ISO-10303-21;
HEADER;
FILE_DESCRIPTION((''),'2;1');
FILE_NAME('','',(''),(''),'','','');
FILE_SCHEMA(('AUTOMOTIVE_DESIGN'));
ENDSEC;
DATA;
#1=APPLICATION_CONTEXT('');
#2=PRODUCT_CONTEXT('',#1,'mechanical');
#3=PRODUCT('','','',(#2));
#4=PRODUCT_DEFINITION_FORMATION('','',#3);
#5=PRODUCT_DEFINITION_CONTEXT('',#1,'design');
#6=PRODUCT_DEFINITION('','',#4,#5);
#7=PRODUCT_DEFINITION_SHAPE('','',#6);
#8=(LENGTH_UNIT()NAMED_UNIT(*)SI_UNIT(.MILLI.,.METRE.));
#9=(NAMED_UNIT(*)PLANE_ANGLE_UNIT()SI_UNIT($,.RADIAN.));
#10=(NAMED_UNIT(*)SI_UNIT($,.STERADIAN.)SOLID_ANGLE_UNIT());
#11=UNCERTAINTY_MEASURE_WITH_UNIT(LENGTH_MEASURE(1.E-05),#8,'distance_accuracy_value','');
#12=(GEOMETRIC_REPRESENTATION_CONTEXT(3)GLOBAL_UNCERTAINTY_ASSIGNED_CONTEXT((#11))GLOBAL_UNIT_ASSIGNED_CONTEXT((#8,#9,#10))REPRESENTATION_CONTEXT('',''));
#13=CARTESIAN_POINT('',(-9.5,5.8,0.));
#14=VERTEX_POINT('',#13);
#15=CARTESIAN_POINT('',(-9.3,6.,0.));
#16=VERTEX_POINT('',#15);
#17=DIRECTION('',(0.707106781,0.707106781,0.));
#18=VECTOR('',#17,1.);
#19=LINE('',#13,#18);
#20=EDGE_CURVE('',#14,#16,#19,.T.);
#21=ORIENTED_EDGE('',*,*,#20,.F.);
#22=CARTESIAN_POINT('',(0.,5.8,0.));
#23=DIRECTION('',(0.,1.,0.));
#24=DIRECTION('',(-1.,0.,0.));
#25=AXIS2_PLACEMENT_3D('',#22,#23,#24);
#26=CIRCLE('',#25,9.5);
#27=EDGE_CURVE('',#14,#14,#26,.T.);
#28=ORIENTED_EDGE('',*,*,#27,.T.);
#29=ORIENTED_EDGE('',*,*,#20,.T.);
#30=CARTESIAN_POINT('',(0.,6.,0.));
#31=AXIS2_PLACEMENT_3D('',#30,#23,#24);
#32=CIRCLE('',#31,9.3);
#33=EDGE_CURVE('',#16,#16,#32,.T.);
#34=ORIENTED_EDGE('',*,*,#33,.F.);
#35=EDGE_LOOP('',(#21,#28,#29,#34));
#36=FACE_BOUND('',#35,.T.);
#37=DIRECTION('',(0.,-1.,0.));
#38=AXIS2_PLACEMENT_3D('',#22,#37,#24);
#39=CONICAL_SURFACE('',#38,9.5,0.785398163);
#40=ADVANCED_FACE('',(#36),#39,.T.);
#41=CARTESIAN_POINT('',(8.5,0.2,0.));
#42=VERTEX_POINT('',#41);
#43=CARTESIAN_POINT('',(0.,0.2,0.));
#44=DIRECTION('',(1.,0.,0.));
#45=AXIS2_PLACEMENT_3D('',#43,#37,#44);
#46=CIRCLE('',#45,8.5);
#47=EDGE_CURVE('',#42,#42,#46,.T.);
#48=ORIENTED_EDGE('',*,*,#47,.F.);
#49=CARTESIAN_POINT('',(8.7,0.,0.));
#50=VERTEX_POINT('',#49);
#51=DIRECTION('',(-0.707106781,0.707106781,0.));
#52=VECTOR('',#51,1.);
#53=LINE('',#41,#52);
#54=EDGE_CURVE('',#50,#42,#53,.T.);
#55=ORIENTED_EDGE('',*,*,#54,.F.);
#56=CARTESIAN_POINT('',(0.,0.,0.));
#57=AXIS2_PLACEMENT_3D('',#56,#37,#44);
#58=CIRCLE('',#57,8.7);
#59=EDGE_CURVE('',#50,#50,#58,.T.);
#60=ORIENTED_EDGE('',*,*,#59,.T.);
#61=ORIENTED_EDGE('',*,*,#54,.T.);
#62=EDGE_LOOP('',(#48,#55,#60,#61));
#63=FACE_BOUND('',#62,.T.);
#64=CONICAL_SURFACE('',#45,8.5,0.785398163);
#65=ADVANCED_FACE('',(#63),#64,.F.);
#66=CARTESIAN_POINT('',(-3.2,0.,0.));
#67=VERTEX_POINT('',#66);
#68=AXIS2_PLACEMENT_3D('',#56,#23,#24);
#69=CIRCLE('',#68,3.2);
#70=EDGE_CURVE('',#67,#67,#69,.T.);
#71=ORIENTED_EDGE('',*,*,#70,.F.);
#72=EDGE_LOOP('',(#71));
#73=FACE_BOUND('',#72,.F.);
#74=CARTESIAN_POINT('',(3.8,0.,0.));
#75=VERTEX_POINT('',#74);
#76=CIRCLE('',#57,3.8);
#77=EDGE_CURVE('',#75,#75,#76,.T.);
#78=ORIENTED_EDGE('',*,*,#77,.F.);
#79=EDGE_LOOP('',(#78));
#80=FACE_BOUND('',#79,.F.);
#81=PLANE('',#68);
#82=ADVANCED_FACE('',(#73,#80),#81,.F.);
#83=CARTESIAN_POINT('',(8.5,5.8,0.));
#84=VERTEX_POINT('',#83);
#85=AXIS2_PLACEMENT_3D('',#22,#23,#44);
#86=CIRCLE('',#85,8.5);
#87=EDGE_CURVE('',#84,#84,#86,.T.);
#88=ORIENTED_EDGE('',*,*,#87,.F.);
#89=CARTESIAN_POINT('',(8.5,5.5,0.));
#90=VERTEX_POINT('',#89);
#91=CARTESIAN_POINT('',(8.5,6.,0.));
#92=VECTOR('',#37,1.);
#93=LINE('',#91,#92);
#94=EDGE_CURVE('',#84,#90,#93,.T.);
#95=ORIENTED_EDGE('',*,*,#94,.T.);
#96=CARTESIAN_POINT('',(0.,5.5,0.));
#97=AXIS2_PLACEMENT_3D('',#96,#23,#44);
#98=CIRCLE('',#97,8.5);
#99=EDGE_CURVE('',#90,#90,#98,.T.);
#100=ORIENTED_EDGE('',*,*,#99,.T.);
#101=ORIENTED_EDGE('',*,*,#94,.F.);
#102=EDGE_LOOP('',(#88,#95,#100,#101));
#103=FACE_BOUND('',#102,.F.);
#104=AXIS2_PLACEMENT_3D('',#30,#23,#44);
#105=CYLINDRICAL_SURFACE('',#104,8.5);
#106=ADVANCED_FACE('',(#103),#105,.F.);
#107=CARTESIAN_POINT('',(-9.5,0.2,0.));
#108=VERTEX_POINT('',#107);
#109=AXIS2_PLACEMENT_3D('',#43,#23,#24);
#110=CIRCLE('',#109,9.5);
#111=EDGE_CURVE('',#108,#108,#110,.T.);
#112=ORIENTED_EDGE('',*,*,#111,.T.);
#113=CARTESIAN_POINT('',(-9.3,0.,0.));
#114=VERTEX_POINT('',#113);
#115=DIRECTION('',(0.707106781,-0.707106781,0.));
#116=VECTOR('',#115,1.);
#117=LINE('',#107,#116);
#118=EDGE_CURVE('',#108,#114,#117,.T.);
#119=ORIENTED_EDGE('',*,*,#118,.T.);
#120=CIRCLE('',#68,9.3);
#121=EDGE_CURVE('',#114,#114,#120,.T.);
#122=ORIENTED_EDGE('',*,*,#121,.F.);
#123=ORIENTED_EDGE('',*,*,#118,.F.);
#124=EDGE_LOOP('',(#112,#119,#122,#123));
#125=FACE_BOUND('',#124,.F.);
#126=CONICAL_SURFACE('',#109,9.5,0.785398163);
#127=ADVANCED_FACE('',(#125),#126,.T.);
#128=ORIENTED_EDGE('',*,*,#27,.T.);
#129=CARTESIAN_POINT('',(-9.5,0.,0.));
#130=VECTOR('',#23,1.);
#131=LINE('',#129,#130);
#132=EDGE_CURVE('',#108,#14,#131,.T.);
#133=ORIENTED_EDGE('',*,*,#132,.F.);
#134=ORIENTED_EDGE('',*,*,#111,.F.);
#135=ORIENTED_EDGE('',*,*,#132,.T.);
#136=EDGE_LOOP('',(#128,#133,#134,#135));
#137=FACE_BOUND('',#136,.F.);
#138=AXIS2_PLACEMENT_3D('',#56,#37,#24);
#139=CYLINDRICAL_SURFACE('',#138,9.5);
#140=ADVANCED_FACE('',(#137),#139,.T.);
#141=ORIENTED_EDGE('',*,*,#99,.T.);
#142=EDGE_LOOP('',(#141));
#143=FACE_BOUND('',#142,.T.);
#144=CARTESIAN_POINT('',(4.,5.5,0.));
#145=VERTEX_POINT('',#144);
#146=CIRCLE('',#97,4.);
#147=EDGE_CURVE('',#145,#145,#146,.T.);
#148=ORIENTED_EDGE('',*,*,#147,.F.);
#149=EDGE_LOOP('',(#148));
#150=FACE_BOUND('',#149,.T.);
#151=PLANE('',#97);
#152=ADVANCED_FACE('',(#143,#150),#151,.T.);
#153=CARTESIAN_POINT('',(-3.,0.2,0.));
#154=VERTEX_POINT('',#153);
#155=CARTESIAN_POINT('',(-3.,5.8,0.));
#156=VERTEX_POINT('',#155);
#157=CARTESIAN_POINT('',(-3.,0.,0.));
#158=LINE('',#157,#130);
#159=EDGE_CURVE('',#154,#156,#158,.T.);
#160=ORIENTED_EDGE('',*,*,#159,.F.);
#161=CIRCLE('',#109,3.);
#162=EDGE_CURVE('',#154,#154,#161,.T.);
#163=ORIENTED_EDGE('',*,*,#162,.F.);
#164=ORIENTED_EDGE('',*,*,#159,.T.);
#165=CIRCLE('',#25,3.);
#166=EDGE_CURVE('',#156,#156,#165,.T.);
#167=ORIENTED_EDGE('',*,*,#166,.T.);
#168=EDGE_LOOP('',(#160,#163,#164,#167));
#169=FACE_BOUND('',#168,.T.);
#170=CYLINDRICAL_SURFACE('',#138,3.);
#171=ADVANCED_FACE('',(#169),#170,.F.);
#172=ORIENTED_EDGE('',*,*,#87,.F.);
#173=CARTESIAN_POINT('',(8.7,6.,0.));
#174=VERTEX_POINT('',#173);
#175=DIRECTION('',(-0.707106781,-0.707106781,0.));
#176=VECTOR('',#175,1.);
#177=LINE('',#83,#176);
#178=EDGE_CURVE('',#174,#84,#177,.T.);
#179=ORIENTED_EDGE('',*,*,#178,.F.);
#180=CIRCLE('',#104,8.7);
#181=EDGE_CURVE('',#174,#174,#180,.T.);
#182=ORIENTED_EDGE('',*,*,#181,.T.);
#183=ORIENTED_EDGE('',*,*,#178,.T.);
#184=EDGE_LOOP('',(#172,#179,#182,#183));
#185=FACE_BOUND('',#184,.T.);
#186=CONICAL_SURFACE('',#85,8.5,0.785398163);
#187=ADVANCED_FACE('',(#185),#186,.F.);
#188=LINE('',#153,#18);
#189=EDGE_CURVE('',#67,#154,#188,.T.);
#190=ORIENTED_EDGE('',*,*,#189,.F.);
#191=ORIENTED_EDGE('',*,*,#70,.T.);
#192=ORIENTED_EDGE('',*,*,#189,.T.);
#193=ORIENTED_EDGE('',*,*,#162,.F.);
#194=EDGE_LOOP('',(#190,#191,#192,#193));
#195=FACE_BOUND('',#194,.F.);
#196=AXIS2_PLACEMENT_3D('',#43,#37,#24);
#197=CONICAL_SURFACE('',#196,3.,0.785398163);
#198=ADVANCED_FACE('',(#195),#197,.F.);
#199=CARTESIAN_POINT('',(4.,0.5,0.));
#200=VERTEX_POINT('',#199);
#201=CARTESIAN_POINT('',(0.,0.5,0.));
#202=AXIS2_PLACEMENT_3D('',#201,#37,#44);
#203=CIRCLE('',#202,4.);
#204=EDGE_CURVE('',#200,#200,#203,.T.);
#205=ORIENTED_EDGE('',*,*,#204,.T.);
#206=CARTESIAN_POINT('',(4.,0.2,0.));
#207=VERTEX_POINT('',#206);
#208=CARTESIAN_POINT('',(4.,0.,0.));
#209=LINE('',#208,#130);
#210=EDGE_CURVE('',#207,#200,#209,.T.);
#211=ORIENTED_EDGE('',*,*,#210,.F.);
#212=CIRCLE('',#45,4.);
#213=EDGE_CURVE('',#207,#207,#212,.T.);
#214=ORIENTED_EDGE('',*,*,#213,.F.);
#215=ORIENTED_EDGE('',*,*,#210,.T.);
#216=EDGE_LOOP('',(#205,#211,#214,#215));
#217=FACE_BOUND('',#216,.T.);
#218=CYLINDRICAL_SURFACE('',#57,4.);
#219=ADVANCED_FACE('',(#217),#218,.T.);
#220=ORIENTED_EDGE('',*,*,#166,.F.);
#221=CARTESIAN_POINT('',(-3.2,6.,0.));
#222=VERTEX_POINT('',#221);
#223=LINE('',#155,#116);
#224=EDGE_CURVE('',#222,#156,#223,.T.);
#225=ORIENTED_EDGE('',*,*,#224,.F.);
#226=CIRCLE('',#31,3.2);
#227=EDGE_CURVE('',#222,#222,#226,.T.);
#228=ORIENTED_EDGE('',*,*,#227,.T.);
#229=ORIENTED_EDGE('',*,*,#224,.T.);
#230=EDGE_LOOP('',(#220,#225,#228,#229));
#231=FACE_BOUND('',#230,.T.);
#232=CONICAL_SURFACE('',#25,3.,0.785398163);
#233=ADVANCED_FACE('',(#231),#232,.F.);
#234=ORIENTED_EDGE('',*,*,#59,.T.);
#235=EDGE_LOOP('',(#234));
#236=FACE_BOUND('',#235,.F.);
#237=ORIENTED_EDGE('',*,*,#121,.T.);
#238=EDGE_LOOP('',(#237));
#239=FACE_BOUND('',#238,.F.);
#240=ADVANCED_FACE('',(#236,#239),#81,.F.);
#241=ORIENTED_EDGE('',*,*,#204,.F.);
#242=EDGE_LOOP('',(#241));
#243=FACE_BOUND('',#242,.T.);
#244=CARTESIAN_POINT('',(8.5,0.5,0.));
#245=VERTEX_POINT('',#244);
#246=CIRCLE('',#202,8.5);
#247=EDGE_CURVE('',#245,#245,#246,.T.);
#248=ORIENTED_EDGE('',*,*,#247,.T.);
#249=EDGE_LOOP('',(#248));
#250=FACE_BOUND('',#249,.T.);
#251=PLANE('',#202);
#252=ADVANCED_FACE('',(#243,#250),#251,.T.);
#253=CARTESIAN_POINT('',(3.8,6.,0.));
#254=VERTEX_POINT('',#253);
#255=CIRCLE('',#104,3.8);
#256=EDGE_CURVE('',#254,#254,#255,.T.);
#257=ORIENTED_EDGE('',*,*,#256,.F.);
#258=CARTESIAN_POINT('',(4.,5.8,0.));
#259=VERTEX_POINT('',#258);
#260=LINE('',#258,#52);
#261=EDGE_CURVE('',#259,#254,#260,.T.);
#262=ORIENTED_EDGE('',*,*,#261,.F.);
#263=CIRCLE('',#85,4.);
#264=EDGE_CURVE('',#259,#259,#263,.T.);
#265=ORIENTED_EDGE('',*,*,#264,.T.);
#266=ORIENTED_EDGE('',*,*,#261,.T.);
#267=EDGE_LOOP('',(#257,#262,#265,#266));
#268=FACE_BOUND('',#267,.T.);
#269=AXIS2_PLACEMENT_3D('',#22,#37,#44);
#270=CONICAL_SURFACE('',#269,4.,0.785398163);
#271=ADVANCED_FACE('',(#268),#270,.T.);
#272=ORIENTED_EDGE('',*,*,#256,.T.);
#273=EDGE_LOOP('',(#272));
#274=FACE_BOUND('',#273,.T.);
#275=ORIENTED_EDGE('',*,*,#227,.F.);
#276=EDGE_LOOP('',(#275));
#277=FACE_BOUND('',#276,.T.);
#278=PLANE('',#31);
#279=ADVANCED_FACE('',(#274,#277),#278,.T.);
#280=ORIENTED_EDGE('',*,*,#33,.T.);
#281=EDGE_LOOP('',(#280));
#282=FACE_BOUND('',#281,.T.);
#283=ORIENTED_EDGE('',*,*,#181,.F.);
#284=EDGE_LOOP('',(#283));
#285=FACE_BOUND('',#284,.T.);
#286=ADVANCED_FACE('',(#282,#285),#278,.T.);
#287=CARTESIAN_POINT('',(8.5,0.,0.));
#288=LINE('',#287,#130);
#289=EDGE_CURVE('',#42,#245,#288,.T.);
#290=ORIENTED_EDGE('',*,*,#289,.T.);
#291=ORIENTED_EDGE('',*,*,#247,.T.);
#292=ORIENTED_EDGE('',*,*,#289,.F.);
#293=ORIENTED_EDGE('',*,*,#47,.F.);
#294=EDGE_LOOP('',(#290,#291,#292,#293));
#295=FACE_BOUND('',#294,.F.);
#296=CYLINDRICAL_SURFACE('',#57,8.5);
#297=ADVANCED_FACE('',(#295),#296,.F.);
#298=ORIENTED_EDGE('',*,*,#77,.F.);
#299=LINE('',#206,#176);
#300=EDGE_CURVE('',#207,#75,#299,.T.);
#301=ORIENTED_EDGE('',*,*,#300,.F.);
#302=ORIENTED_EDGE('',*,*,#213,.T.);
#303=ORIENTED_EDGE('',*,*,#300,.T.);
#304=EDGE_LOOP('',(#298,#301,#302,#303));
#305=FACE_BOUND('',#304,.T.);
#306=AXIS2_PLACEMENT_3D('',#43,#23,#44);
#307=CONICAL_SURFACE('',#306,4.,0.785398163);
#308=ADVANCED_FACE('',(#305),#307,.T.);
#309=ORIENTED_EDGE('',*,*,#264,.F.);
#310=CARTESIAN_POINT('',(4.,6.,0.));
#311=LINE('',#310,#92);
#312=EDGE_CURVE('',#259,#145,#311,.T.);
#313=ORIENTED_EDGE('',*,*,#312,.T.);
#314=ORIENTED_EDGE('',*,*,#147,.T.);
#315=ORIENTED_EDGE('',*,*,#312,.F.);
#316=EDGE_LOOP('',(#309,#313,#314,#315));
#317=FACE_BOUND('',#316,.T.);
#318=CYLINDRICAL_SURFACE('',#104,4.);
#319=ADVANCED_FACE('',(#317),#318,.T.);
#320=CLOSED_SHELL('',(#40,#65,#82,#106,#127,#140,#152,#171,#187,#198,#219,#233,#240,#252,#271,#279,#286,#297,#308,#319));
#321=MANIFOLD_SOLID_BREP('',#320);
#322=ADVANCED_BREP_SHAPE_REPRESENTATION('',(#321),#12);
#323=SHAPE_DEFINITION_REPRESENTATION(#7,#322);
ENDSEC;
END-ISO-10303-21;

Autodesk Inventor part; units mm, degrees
ref_plane "YZ Plane" through (0, 0, 0) normal (1, 0, 0) x (0, 1, 0)
ref_plane "XZ Plane" through (0, 0, 0) normal (0, 1, 0) x (-1, 0, 0)
ref_plane "XY Plane" through (0, 0, 0) normal (0, 0, 1) x (1, 0, 0)
sketch "Эскиз1" plane through (0, 0, 0) normal (0, 1, 0) x (-1, 0, 0)
  circle A0 centre (0, 0) radius 9.5
  circle A1 centre (0, 0) radius 3
  dimension "d0" = 19
  dimension "d1" = 6
extrude "Выдавливание1" add sketch "Эскиз1" along normal blind 6
sketch "Эскиз2" plane through (0, 6, 0) normal (0, 1, 0) x (1, 0, 0)
  circle A0 centre (0, 0) radius 4
  circle A1 centre (0, 0) radius 8.5
  circle A2 centre (0, 0) radius 9.5 projected
  circle A3 centre (0, 0) radius 3 projected
  dimension "d4" = 1
  dimension "d5" = 1
extrude "Выдавливание2" cut sketch "Эскиз2" against normal blind 0.5 contours A1
sketch "Эскиз3" plane through (0, 0, 0) normal (0, -1, 0) x (1, 0, 0)
  circle A0 centre (0, 0) radius 4 projected
  circle A1 centre (0, 0) radius 8.5 projected
extrude "Выдавливание3" cut sketch "Эскиз3" against normal blind 0.5
chamfer "Фаска1" distance 0.2 angle 45 8 edges at (-4, 0, 0) (3, 0, 0) (-8.5, 0, 0) (9.5, 0, 0) (9.5, 6, 0) (-8.5, 6, 0) (-4, 6, 0) (3, 6, 0)
properties part number "Подшипник 626Z" material "Титан"
